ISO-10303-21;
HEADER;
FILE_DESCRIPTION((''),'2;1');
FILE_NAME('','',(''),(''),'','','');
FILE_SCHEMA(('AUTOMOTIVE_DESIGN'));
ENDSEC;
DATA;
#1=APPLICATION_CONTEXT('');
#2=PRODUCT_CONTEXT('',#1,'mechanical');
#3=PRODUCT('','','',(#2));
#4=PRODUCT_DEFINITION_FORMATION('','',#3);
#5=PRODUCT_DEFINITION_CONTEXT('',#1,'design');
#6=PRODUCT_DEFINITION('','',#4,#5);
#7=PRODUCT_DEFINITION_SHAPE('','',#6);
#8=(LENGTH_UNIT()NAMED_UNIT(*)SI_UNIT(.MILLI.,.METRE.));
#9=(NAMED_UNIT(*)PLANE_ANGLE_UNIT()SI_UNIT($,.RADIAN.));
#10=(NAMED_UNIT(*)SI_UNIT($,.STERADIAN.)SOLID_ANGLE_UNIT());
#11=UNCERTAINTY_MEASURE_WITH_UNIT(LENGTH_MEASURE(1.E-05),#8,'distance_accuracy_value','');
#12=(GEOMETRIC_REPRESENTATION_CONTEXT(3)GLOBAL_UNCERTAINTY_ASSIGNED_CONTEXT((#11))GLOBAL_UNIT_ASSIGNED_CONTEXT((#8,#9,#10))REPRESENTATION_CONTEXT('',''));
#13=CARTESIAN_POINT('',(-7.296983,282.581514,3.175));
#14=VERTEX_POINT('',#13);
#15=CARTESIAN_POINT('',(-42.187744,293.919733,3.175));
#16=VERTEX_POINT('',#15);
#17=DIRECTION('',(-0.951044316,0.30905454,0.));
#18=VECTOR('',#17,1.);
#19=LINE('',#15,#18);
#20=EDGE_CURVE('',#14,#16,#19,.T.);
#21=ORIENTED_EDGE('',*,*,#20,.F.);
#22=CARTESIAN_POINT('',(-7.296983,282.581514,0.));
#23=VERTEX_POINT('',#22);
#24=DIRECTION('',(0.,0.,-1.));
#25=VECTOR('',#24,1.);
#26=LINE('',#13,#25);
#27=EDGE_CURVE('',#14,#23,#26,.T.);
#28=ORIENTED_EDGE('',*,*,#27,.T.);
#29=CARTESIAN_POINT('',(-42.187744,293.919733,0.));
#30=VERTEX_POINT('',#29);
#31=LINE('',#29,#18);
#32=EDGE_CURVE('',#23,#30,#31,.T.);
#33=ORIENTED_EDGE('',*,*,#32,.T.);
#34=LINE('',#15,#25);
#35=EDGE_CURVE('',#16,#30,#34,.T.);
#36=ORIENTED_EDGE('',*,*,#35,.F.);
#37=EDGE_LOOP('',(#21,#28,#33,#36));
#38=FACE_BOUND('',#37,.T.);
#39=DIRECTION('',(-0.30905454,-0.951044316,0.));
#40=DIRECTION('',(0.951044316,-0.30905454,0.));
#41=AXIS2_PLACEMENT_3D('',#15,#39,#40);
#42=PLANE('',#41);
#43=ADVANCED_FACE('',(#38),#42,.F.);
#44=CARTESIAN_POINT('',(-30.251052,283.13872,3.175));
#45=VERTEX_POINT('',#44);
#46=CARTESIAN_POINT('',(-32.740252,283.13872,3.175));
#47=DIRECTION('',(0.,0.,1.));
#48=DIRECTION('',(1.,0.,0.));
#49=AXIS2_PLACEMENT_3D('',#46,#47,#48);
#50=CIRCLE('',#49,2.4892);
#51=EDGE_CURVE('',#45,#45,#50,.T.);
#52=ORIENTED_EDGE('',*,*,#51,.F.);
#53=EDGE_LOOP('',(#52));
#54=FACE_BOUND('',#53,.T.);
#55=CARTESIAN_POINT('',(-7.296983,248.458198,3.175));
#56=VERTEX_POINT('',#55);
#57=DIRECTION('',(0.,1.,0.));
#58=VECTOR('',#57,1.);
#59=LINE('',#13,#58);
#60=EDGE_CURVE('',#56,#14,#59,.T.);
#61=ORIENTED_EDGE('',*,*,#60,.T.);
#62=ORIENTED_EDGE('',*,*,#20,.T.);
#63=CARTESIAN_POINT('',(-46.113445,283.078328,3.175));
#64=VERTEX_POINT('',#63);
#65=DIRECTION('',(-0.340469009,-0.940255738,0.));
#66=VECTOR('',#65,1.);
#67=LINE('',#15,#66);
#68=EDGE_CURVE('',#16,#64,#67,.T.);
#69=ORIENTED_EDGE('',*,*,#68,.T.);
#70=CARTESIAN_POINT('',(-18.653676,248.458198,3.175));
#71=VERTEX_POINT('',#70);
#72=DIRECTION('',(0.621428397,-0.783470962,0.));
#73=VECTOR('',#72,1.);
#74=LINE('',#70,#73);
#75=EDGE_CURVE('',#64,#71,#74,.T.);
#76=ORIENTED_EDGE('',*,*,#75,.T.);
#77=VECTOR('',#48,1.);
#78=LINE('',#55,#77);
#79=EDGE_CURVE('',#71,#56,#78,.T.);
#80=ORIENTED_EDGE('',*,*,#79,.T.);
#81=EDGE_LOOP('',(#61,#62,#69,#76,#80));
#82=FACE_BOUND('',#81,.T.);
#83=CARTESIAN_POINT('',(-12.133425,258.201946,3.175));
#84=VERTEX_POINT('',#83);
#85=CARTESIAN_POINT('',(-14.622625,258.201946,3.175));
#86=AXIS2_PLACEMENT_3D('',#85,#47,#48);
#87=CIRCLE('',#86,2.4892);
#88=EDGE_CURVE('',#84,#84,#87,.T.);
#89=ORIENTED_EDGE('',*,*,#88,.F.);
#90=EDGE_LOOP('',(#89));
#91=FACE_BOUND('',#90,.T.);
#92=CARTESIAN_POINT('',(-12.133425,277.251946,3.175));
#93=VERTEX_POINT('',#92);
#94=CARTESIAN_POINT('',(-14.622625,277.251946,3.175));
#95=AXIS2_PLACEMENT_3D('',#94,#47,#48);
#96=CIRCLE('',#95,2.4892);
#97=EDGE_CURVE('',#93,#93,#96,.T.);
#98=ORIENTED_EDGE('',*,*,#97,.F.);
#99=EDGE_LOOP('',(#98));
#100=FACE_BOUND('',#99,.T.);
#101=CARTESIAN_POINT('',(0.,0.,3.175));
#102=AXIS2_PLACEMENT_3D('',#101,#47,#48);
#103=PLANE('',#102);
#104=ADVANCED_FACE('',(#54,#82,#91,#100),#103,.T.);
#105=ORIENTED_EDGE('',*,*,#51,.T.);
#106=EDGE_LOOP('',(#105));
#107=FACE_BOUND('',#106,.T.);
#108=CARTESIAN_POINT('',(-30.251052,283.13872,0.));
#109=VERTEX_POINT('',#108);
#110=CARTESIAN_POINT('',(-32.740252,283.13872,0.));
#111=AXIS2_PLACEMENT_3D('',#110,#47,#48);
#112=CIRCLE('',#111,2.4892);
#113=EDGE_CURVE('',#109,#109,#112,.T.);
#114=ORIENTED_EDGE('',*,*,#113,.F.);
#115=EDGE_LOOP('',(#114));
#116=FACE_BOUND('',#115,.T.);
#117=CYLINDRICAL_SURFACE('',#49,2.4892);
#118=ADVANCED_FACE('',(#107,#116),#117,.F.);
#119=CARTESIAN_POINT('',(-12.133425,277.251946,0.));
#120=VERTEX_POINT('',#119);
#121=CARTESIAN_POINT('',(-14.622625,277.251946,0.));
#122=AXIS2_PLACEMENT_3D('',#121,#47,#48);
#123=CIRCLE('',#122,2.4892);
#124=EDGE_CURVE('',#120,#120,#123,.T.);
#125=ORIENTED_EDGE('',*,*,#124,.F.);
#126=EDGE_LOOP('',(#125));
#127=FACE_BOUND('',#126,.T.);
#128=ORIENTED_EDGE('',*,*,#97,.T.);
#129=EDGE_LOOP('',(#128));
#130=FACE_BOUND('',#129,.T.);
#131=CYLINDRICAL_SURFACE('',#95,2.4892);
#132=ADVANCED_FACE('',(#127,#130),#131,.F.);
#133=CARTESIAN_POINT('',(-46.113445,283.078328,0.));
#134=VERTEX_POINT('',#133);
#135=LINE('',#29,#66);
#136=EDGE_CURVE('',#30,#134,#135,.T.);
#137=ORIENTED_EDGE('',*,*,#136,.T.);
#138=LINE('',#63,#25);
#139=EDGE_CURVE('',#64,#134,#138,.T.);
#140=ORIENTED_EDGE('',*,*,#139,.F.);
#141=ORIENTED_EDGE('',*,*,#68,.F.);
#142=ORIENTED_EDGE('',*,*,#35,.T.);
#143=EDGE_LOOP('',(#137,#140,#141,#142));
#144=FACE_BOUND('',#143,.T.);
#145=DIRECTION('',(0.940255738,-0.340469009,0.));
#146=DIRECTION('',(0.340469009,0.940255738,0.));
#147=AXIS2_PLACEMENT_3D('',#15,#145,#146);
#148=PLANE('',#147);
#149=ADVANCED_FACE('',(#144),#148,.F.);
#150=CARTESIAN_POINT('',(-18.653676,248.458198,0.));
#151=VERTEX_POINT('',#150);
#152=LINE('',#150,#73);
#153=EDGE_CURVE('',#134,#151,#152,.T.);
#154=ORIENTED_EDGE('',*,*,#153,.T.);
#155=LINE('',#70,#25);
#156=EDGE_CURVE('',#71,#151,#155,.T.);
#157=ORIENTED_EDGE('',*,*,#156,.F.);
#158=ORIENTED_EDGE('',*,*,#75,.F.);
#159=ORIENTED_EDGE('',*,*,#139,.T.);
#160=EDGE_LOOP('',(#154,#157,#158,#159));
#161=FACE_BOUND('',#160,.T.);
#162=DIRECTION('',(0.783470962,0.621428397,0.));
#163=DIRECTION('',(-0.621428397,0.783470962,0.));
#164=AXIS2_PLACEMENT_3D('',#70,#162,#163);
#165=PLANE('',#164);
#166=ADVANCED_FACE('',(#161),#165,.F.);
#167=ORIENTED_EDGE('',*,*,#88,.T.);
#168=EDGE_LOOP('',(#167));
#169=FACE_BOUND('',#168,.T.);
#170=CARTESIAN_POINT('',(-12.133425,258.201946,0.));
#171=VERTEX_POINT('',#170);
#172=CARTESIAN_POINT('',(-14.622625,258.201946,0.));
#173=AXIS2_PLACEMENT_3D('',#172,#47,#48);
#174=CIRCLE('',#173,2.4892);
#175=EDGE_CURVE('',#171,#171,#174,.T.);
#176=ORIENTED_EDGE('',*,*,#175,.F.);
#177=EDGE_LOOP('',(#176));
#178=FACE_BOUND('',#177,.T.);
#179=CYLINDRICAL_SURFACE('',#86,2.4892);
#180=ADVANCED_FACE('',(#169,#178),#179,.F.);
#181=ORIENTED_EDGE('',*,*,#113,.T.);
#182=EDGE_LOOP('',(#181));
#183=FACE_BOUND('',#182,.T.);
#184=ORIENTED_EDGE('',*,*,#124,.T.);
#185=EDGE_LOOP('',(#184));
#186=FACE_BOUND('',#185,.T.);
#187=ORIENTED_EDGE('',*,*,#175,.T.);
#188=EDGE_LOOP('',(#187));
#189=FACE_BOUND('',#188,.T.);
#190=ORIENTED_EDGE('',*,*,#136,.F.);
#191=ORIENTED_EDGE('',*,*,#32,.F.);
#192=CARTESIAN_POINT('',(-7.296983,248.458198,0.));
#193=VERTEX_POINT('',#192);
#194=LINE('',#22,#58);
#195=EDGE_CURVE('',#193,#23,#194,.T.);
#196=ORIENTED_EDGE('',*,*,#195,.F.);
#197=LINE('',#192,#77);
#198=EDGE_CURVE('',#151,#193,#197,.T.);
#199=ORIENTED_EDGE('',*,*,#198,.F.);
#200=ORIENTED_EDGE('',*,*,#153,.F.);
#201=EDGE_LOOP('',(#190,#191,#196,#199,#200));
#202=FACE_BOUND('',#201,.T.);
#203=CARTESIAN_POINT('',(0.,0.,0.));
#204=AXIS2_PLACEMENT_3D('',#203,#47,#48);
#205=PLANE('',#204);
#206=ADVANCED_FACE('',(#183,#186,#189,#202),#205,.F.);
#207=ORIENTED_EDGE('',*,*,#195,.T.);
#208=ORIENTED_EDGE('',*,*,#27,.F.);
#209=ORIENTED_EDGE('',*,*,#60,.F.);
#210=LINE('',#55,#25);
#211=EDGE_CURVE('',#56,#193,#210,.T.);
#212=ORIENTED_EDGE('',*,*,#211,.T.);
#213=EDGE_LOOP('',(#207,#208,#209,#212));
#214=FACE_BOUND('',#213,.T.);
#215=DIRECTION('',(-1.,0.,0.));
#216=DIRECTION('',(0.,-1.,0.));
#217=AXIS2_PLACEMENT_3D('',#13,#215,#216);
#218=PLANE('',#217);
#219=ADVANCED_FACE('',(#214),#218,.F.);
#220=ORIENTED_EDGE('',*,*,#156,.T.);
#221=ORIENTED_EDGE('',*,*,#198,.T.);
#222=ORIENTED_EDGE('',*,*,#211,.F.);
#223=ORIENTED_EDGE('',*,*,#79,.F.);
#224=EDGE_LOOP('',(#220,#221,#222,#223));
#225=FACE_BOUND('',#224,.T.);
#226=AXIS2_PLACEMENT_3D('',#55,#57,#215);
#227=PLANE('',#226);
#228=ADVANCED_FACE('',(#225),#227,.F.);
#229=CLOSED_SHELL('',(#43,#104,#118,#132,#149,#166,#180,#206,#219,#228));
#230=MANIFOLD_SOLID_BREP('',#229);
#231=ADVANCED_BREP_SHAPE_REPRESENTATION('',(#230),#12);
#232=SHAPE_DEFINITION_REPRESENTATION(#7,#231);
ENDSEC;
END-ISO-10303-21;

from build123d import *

# Parameters (mm, degrees)
BOSS_EXTRUDE1_DEPTH    = 3.175
F_10_CLEARANCE_HOLE1_D = 4.9784


with BuildPart() as part:
    # Sketch4 → Boss-Extrude1 (new body)
    with BuildSketch(Plane.XY):
        Polygon((-42.187744402, 293.919732514), (-7.296982649, 282.581513931), (-7.296982649, 248.458198081), (-18.653675695, 248.458198081), (-46.113444794, 283.07832781), align=None)
    extrude(amount=BOSS_EXTRUDE1_DEPTH)

    # #10 Clearance Hole1 (through all)
    with Locations(Plane.XY.offset(3.175)):
        with Locations((-32.740251946, 283.138719963), (-14.622625311, 277.25194622), (-14.622625311, 258.20194622)):
            Hole(F_10_CLEARANCE_HOLE1_D / 2)


solid = part.part
